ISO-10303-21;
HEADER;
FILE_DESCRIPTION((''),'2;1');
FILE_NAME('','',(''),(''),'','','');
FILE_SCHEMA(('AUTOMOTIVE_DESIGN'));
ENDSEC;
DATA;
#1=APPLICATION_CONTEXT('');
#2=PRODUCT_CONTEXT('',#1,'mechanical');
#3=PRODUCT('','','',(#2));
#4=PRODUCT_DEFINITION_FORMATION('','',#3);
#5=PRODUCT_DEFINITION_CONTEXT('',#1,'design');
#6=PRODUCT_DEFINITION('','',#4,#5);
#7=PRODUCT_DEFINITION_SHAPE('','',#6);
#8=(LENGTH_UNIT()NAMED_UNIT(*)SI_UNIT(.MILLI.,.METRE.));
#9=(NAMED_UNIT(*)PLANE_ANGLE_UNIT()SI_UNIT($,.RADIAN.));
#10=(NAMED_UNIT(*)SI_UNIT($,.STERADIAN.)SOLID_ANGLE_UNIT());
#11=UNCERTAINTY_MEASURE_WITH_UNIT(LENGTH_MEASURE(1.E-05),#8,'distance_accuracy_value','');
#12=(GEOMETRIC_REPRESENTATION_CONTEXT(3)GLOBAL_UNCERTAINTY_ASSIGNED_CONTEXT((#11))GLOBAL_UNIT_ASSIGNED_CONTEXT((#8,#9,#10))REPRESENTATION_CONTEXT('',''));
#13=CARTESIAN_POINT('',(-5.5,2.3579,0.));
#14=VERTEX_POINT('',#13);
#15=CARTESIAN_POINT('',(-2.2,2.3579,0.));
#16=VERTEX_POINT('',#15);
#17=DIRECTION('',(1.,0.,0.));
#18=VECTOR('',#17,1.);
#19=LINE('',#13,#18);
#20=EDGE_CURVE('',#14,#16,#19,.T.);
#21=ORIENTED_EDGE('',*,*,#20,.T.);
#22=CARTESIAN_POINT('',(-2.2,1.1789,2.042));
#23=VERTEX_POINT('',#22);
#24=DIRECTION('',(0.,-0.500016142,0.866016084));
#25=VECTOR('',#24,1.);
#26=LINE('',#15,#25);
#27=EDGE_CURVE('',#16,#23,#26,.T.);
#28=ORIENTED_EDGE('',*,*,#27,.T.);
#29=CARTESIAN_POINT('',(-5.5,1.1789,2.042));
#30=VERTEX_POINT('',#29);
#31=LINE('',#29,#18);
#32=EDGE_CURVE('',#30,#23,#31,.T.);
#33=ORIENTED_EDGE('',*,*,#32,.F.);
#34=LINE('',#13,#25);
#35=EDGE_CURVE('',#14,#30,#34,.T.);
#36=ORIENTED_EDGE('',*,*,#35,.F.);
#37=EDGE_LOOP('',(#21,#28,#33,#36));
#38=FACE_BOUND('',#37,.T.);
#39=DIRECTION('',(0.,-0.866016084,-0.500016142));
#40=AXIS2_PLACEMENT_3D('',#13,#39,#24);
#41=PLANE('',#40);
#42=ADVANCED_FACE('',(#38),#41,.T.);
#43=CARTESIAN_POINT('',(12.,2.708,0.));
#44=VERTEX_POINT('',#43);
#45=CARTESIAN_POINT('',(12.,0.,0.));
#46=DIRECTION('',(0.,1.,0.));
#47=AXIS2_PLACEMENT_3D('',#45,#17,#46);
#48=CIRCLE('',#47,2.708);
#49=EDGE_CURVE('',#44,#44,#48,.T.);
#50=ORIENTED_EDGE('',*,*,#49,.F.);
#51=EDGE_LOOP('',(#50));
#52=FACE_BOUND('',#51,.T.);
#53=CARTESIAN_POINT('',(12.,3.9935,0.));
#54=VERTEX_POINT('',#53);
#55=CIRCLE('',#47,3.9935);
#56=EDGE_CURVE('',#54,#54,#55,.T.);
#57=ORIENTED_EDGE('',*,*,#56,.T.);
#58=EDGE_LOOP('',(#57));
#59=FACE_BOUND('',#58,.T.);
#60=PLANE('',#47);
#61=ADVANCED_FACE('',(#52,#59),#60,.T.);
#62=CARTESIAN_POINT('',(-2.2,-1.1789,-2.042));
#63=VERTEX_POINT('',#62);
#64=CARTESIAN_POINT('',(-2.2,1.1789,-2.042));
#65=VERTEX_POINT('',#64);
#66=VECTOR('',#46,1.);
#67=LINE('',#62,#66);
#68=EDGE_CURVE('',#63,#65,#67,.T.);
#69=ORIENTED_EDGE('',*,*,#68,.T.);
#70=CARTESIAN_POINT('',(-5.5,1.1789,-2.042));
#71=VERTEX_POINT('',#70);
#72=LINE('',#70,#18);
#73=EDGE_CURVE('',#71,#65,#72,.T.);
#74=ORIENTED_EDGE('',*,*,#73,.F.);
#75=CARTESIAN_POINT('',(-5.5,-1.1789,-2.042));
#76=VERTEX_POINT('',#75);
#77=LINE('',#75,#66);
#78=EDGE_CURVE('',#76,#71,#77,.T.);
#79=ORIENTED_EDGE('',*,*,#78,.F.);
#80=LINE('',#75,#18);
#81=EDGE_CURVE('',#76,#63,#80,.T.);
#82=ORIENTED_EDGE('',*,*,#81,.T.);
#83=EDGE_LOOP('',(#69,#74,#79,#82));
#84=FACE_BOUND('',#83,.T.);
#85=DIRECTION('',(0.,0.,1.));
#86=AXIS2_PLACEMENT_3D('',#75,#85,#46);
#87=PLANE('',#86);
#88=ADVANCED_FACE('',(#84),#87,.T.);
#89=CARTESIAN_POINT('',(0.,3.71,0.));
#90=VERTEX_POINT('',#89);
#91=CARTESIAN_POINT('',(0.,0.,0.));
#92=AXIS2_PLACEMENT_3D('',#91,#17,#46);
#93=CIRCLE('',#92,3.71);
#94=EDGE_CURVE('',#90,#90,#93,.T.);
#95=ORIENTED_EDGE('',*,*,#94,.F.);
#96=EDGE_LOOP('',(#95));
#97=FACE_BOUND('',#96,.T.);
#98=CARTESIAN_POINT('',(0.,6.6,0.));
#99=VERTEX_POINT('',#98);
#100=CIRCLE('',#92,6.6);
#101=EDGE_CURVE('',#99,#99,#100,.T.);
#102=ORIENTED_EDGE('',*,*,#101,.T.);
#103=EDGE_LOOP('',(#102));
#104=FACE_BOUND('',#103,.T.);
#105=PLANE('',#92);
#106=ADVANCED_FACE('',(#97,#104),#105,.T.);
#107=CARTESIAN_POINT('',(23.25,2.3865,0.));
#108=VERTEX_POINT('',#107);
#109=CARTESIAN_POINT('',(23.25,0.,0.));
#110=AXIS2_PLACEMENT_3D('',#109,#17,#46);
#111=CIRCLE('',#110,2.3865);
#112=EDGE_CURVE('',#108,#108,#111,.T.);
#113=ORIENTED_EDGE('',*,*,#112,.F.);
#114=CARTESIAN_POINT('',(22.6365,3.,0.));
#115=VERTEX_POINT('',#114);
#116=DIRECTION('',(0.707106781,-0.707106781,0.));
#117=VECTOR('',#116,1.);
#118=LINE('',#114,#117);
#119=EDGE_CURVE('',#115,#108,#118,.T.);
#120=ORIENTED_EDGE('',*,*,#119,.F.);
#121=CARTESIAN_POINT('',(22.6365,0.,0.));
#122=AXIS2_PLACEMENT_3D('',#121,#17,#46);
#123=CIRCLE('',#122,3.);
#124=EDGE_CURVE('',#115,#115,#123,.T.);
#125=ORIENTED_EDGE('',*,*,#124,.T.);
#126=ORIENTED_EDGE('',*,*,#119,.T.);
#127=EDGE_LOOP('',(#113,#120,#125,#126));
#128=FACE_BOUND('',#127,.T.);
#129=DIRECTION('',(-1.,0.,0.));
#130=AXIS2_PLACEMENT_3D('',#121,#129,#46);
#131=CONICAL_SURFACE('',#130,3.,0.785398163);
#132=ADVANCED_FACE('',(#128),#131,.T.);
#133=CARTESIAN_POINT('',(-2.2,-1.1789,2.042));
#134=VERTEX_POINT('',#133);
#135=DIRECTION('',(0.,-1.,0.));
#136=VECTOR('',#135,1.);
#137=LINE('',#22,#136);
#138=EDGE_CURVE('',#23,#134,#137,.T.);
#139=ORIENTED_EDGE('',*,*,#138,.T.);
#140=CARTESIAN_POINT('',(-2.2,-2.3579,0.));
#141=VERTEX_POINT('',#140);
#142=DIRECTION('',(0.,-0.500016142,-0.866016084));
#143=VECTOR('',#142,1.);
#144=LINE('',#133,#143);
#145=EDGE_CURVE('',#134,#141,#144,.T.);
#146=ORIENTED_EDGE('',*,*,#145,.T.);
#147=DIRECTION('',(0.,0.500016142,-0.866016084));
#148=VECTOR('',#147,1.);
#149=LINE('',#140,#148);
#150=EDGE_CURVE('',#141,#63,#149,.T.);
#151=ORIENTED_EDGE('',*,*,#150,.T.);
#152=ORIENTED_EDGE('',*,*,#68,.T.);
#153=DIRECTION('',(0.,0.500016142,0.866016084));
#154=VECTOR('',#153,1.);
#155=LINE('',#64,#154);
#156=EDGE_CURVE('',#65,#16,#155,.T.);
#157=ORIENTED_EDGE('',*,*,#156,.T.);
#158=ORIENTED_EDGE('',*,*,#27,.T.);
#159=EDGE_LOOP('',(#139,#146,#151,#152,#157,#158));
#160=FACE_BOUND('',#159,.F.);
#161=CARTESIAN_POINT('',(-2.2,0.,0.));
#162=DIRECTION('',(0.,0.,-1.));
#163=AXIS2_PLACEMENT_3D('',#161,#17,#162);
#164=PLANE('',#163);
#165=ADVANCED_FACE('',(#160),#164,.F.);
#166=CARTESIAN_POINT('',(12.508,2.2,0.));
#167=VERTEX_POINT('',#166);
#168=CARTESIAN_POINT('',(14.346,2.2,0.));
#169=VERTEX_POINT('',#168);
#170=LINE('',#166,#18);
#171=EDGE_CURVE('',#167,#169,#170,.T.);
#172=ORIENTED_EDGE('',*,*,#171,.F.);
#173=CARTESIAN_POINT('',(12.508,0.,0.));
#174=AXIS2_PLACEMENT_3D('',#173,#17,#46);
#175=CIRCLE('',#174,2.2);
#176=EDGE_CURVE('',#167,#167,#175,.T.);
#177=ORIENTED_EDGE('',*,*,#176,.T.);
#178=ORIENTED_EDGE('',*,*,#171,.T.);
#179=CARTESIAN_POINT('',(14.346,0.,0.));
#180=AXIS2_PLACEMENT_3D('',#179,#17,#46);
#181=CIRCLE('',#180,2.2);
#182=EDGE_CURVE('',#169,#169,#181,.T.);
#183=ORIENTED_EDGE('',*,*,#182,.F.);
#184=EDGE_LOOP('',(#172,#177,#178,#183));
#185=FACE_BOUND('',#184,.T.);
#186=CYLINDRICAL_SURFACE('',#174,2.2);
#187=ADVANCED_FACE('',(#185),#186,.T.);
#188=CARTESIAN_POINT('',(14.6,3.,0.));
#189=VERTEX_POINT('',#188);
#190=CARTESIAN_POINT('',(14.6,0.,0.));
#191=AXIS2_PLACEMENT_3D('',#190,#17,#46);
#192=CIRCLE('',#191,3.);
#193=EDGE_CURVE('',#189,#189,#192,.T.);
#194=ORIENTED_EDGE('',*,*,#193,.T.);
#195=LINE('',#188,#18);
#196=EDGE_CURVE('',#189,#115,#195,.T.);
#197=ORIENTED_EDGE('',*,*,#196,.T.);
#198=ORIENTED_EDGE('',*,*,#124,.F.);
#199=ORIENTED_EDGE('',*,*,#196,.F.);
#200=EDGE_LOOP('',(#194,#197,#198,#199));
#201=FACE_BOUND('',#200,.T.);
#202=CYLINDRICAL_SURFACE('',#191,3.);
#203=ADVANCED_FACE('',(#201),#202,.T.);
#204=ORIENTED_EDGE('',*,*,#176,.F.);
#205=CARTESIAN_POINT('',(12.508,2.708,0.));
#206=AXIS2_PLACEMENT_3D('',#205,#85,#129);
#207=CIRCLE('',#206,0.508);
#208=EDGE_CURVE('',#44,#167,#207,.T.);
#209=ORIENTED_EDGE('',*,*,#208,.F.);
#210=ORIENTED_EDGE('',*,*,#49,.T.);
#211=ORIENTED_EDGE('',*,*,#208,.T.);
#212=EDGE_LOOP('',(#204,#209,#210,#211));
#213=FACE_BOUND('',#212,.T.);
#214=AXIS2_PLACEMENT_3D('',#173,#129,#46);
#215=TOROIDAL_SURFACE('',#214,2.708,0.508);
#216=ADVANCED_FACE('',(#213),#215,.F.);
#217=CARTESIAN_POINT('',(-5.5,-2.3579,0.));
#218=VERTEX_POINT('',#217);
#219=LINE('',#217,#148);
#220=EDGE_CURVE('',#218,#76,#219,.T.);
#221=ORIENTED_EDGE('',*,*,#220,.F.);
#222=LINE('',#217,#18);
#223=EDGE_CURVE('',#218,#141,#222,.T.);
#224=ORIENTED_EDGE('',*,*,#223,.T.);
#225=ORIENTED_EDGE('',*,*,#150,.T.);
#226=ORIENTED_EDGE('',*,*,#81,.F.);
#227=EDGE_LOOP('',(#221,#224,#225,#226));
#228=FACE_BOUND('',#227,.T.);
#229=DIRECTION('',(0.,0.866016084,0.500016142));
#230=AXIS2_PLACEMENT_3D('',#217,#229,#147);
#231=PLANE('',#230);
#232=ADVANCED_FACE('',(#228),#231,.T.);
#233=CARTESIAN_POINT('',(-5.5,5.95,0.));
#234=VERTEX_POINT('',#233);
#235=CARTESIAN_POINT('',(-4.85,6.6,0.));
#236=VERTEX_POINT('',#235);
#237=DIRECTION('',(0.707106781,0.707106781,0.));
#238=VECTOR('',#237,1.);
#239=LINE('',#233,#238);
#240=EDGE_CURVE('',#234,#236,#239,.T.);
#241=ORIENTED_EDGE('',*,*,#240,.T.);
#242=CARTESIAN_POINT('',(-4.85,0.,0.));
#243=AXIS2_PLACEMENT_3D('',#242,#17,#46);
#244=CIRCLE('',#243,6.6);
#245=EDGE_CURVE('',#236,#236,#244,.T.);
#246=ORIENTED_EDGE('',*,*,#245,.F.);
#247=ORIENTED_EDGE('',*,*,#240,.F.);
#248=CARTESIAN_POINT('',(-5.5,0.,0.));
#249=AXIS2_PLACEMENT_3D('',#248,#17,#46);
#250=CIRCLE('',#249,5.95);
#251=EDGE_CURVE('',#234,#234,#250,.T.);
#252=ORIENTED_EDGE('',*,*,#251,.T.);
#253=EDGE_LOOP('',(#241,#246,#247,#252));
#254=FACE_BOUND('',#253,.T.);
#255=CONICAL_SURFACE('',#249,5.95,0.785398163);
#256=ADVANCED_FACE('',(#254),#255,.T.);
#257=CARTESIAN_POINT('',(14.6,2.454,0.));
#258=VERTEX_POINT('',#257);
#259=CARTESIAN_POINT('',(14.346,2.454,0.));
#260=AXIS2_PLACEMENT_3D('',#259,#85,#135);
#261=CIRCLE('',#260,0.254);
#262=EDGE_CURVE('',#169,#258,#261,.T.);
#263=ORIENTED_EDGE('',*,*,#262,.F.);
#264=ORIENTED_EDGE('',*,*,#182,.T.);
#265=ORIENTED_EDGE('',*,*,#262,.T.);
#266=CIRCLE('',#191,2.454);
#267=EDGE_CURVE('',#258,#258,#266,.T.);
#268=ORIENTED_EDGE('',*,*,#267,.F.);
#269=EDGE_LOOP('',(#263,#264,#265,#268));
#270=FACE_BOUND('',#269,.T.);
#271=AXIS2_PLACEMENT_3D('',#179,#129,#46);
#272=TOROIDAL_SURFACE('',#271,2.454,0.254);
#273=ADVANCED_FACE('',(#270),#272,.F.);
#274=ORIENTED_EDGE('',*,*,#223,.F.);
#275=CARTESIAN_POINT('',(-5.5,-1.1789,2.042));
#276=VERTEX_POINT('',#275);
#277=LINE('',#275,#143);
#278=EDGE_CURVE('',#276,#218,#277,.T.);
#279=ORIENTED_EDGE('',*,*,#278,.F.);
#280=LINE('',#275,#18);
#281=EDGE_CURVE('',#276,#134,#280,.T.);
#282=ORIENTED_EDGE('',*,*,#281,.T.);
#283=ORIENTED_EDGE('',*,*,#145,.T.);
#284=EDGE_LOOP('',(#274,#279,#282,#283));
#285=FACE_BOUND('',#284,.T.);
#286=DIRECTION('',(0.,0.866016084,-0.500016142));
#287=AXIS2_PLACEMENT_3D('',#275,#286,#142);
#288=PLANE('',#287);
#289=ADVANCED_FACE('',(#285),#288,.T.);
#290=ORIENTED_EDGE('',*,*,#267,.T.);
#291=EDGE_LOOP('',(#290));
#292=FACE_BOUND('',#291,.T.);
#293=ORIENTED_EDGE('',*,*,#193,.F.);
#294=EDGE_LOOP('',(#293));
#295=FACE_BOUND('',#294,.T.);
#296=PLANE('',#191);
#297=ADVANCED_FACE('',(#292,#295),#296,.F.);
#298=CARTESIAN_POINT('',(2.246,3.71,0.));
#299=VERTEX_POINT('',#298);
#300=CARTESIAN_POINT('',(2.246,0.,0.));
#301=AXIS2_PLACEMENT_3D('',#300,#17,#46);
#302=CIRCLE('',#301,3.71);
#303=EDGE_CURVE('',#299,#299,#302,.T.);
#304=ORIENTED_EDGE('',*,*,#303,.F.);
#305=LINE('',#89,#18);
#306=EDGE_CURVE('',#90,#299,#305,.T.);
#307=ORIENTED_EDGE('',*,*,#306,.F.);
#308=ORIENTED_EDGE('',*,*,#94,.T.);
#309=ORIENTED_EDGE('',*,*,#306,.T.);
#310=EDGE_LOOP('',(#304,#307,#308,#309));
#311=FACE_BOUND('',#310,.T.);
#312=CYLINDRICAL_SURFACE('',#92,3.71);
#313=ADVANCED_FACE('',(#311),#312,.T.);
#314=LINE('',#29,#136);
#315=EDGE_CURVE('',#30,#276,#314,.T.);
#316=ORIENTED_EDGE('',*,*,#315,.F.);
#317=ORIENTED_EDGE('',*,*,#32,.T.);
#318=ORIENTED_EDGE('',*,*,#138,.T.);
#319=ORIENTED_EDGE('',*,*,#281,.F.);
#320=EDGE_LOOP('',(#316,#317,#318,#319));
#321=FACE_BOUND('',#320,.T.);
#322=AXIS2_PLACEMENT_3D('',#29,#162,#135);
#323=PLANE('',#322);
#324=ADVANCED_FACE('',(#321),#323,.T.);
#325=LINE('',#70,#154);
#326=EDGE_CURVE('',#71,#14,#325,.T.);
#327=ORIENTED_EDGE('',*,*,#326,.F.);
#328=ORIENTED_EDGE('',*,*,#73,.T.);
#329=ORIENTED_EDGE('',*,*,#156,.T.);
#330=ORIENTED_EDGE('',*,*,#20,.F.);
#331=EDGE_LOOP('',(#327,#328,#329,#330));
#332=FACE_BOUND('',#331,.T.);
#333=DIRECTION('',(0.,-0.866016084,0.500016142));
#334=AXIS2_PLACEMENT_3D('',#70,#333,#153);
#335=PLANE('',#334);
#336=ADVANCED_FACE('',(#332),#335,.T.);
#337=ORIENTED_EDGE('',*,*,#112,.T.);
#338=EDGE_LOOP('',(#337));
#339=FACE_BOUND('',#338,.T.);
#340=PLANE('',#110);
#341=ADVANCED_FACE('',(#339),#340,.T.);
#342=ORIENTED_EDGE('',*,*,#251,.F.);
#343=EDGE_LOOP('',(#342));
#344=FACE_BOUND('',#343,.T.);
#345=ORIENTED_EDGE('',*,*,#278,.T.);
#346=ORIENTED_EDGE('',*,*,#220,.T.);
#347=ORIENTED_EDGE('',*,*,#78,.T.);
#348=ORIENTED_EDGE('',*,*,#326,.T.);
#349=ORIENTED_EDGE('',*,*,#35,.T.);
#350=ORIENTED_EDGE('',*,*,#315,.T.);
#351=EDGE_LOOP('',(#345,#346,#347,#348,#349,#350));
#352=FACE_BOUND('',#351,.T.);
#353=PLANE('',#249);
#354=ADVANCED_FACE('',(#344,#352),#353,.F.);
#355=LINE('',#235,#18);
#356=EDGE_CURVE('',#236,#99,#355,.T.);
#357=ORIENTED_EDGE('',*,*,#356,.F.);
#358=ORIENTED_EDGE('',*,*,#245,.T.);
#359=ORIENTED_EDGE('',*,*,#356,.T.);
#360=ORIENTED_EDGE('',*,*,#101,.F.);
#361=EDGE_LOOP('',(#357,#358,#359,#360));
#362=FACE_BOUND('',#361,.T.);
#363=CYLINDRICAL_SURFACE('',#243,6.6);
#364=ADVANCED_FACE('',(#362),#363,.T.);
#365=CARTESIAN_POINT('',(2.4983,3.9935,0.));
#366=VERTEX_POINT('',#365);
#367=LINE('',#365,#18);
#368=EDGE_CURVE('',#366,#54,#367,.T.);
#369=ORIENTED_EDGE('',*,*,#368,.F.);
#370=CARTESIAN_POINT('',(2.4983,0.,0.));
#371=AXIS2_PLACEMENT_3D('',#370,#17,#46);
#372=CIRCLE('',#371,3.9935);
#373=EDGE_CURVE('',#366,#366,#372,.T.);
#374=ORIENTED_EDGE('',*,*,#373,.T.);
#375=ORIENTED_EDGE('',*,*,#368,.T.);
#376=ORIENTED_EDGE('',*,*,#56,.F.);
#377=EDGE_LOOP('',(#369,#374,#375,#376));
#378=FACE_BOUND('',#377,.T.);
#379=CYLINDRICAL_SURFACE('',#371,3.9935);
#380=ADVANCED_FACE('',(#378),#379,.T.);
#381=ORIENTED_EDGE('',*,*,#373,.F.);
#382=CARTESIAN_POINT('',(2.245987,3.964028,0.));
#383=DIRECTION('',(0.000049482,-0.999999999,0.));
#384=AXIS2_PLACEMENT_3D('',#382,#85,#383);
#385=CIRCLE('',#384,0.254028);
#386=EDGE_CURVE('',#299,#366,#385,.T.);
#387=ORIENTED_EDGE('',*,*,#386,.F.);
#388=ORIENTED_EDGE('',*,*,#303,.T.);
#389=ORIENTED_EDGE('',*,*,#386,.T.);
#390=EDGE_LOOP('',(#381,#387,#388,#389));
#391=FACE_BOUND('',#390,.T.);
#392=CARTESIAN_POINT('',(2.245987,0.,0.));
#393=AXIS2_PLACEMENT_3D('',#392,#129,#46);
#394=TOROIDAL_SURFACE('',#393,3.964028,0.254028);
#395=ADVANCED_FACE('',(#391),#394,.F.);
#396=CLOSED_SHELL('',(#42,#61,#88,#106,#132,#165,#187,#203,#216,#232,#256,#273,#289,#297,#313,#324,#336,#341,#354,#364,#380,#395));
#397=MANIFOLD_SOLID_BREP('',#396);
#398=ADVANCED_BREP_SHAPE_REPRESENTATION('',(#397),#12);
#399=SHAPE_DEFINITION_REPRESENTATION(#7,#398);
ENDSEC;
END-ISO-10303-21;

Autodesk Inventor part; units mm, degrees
sketch "Sketch_1" plane through (0, 0, 0) normal (0, 0, 1) x (1, 0, 0)
  line L0 (23.25, 0) -> (-5.5, 0)
  line L1 (-5.5, 0) -> (-5.5, 5.95)
  line L2 (-5.5, 5.95) -> (-4.85, 6.6)
  line L3 (-4.85, 6.6) -> (0, 6.6)
  line L4 (0, 6.6) -> (0, 3.71)
  line L5 (0, 3.71) -> (2.246, 3.71)
  arc A0 (2.246, 3.71) -> (2.4983, 3.9935) centre (2.246, 3.964) ccw
  line L6 (2.4983, 3.9935) -> (12, 3.9935)
  line L7 (12, 3.9935) -> (12, 2.708)
  arc A1 (12, 2.708) -> (12.508, 2.2) centre (12.508, 2.708) ccw
  line L8 (12.508, 2.2) -> (14.346, 2.2)
  arc A2 (14.346, 2.2) -> (14.6, 2.454) centre (14.346, 2.454) ccw
  line L9 (14.6, 2.454) -> (14.6, 3)
  line L10 (14.6, 3) -> (22.6365, 3)
  line L11 (22.6365, 3) -> (23.25, 2.3865)
  line L12 (23.25, 2.3865) -> (23.25, 0)
  line L13 (23.25, 0) -> (-5.5, 0)
revolve "Revolution1" add sketch "Sketch_1" angle 360 about axis through (23.25, 0, 0) along (1, 0, 0)
thread "Thread1" size "M6x1" class "6g" standard "ISO Metric profile" full length
sketch "Sketch_5" plane through (-5.5, 0, 0) normal (1, 0, 0) x (0, 0, -1)
  line L0 (-2.042, -1.1789) -> (0, -2.3579)
  line L1 (0, -2.3579) -> (2.042, -1.1789)
  line L2 (2.042, -1.1789) -> (2.042, 1.1789)
  line L3 (2.042, 1.1789) -> (0, 2.3579)
  line L4 (0, 2.3579) -> (-2.042, 1.1789)
  line L5 (-2.042, 1.1789) -> (-2.042, -1.1789)
extrude "Extrusion1" cut sketch "Sketch_5" along normal blind 3.3
ref_plane "bolt_XY" through (0, 0, 0) normal (1, 0, 0) x (0, 0, -1)
ref_plane "bolt_YZ" through (0, 0, 0) normal (0, 0, -1) x (0, 1, 0)
ref_plane "bolt_ZX" through (0, 0, 0) normal (0, 1, 0) x (1, 0, 0)
ref_plane "bolt1_XY" through (15.2, 0, 0) normal (1, 0, 0) x (0, 0, -1)
ref_plane "bolt1_YZ" through (15.2, 0, 0) normal (0, 0, -1) x (0, 1, 0)
ref_plane "bolt1_ZX" through (15.2, 0, 0) normal (0, 1, 0) x (1, 0, 0)
properties part number "25-2281_b"
